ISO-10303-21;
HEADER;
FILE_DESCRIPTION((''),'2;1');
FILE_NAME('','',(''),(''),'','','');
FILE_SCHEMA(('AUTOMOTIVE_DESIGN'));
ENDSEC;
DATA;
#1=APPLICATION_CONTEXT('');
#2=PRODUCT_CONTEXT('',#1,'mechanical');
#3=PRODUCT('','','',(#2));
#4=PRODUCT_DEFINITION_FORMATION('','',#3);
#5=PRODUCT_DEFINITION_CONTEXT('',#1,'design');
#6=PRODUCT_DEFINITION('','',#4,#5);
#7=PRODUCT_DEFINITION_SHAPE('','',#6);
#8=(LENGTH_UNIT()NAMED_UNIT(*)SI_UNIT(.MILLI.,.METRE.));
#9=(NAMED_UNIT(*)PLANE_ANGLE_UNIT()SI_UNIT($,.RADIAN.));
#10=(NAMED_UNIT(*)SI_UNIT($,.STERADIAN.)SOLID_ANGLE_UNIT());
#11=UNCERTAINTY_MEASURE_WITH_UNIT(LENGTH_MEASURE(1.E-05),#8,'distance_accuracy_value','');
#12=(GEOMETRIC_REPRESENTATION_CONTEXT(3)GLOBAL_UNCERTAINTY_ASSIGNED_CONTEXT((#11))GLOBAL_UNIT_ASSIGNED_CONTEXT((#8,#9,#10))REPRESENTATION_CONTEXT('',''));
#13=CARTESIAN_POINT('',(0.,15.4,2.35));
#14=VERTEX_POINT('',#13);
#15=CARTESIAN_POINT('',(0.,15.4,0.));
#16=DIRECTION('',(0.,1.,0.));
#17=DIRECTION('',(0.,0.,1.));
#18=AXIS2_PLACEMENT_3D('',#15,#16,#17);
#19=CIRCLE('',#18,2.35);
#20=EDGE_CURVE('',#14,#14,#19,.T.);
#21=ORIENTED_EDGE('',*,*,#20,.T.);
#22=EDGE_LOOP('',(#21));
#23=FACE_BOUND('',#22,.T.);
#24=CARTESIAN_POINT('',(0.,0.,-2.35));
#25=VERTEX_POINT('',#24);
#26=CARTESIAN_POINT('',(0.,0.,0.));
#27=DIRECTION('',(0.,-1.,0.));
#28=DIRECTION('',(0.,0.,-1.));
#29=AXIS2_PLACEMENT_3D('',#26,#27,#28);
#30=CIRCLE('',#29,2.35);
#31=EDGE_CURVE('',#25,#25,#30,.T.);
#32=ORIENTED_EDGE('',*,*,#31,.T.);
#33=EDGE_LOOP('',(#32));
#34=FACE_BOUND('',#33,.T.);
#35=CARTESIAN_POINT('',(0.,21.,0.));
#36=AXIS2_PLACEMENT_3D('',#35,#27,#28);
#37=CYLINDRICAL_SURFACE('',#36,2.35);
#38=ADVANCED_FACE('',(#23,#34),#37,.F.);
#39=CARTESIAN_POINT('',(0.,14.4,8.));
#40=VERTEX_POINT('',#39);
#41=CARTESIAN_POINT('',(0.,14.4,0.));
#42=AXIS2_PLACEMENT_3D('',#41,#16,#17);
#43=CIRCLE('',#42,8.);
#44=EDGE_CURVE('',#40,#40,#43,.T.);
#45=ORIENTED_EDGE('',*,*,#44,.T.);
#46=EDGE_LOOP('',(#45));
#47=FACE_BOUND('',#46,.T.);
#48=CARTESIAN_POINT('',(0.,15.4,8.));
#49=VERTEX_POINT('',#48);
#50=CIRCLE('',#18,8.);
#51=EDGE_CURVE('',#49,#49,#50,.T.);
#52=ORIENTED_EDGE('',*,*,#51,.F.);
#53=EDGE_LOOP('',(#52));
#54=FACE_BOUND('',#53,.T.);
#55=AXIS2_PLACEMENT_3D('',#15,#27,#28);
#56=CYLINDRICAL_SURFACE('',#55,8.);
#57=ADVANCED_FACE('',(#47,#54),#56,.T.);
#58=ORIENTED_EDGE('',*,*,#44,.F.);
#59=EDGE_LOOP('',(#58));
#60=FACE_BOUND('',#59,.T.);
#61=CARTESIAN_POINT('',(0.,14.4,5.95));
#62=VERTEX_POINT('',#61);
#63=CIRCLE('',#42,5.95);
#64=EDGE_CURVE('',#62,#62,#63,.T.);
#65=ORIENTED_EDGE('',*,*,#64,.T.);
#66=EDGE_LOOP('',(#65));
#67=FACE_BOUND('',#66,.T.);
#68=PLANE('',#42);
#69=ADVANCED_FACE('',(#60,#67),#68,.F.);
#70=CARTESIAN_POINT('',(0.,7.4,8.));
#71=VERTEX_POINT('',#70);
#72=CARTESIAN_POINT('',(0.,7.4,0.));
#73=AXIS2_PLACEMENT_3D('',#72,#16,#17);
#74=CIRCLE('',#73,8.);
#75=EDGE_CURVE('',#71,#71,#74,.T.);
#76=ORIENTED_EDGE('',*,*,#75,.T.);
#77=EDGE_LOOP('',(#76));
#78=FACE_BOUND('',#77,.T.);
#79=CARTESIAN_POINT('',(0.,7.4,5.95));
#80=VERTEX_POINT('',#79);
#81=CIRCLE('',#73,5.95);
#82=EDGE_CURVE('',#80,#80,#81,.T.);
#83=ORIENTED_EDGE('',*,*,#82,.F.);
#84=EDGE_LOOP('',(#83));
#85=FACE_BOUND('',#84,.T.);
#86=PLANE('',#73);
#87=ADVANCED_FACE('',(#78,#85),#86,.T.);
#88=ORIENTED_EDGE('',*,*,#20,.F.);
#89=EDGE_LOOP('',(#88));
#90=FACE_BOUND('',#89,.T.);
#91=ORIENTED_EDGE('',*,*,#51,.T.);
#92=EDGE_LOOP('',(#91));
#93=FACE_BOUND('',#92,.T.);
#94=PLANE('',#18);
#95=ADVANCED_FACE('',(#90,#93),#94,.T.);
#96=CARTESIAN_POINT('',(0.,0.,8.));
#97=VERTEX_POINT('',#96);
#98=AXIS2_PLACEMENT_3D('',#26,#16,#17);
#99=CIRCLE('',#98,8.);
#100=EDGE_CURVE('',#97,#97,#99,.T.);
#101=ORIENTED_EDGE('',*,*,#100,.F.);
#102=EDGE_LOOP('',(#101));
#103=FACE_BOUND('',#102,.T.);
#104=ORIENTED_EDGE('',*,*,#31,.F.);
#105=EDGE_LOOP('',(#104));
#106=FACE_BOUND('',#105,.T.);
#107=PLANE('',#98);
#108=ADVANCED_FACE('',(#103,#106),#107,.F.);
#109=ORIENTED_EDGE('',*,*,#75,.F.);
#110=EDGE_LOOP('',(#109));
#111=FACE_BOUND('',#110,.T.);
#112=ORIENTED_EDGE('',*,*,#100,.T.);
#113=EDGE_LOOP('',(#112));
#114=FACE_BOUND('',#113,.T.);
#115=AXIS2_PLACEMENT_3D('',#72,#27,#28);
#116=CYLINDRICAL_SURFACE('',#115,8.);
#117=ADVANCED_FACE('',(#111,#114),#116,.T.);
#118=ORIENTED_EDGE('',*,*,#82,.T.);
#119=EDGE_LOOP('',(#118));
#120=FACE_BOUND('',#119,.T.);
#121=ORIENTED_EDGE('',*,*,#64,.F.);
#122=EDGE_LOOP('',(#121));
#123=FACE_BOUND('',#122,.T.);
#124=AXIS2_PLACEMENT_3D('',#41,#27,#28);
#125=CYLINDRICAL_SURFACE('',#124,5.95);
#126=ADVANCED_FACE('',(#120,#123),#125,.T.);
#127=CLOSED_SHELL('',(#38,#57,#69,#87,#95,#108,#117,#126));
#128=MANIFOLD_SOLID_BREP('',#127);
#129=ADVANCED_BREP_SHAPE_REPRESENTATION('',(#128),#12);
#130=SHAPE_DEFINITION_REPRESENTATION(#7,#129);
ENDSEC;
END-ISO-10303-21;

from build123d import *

# Parameters (mm, degrees)
SKETCH1_R           = 8
BOSS_EXTRUDE1_DEPTH = 7.4
SKETCH2_R           = 5.95
BOSS_EXTRUDE2_DEPTH = 7
SKETCH3_R           = 8
BOSS_EXTRUDE3_DEPTH = 1
SKETCH4_R           = 2.35
CUT_EXTRUDE1_DEPTH  = 21


with BuildPart() as part:
    # Sketch1 → Boss-Extrude1 (new body)
    with BuildSketch(Plane(origin=(0, 0, 0), x_dir=(1, 0, 0), z_dir=(0, 1, 0))):
        Circle(SKETCH1_R)
    extrude(amount=BOSS_EXTRUDE1_DEPTH)

    # Sketch2 → Boss-Extrude2 (add)
    with BuildSketch(Plane(origin=(0, 7.4, 0), x_dir=(1, 0, 0), z_dir=(0, 1, 0))):
        Circle(SKETCH2_R)
    extrude(amount=BOSS_EXTRUDE2_DEPTH)

    # Sketch3 → Boss-Extrude3 (add)
    with BuildSketch(Plane(origin=(0, 14.4, 0), x_dir=(1, 0, 0), z_dir=(0, 1, 0))):
        Circle(SKETCH3_R)
    extrude(amount=BOSS_EXTRUDE3_DEPTH)

    # Sketch4 → Cut-Extrude1 (cut)
    with BuildSketch(Plane.XZ):
        Circle(SKETCH4_R)
    extrude(amount=-CUT_EXTRUDE1_DEPTH, mode=Mode.SUBTRACT)


solid = part.part
